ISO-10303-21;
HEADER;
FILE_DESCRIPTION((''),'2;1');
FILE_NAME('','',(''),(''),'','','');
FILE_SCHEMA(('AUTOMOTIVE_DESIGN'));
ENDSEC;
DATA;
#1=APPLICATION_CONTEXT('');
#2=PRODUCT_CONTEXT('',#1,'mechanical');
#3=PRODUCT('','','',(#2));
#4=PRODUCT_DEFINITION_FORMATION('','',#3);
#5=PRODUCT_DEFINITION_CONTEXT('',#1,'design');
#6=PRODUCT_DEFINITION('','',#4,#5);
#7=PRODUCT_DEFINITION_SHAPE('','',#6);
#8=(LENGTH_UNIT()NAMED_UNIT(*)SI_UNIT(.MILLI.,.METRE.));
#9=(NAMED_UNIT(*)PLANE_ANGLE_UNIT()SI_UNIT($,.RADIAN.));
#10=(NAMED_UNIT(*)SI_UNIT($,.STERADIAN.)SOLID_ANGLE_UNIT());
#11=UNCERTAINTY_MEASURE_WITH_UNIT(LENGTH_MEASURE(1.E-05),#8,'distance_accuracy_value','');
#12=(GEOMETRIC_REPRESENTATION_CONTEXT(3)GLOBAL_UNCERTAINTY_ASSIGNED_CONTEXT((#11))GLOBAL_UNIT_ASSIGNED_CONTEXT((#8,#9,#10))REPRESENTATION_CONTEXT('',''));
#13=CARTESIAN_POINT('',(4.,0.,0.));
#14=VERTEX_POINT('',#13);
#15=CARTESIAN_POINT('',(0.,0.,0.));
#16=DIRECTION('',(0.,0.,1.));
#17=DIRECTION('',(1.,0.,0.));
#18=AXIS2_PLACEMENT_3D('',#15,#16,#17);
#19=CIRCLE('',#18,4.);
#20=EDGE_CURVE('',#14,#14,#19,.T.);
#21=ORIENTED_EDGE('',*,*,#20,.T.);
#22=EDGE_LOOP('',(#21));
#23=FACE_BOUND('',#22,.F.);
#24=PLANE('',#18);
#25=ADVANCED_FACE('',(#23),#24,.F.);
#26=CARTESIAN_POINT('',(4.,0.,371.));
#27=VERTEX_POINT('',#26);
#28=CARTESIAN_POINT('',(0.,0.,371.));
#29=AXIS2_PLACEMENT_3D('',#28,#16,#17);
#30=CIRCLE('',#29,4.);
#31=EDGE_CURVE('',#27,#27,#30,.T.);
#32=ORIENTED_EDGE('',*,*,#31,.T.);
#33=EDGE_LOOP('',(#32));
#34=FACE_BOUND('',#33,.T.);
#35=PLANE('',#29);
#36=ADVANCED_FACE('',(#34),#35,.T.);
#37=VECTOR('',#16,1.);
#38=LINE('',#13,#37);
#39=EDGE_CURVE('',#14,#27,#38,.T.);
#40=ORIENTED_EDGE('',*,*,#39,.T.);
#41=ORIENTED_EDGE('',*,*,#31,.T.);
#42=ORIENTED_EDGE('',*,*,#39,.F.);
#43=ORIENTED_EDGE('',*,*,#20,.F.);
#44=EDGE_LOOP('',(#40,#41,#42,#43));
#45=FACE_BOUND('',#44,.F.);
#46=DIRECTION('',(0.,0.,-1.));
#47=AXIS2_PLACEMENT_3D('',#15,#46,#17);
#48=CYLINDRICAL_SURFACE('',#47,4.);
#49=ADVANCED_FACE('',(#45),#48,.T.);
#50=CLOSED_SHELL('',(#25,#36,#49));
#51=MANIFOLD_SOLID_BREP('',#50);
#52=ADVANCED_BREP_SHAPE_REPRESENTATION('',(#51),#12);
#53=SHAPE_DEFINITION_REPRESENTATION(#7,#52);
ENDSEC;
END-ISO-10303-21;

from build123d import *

# Parameters (mm, degrees)
CYLINDER_R     = 4
CYLINDER_DEPTH = 371


with BuildPart() as part:
    # Cylinder → Cylinder (new body)
    with BuildSketch(Plane.XY):
        Circle(CYLINDER_R)
    extrude(amount=CYLINDER_DEPTH)


solid = part.part
